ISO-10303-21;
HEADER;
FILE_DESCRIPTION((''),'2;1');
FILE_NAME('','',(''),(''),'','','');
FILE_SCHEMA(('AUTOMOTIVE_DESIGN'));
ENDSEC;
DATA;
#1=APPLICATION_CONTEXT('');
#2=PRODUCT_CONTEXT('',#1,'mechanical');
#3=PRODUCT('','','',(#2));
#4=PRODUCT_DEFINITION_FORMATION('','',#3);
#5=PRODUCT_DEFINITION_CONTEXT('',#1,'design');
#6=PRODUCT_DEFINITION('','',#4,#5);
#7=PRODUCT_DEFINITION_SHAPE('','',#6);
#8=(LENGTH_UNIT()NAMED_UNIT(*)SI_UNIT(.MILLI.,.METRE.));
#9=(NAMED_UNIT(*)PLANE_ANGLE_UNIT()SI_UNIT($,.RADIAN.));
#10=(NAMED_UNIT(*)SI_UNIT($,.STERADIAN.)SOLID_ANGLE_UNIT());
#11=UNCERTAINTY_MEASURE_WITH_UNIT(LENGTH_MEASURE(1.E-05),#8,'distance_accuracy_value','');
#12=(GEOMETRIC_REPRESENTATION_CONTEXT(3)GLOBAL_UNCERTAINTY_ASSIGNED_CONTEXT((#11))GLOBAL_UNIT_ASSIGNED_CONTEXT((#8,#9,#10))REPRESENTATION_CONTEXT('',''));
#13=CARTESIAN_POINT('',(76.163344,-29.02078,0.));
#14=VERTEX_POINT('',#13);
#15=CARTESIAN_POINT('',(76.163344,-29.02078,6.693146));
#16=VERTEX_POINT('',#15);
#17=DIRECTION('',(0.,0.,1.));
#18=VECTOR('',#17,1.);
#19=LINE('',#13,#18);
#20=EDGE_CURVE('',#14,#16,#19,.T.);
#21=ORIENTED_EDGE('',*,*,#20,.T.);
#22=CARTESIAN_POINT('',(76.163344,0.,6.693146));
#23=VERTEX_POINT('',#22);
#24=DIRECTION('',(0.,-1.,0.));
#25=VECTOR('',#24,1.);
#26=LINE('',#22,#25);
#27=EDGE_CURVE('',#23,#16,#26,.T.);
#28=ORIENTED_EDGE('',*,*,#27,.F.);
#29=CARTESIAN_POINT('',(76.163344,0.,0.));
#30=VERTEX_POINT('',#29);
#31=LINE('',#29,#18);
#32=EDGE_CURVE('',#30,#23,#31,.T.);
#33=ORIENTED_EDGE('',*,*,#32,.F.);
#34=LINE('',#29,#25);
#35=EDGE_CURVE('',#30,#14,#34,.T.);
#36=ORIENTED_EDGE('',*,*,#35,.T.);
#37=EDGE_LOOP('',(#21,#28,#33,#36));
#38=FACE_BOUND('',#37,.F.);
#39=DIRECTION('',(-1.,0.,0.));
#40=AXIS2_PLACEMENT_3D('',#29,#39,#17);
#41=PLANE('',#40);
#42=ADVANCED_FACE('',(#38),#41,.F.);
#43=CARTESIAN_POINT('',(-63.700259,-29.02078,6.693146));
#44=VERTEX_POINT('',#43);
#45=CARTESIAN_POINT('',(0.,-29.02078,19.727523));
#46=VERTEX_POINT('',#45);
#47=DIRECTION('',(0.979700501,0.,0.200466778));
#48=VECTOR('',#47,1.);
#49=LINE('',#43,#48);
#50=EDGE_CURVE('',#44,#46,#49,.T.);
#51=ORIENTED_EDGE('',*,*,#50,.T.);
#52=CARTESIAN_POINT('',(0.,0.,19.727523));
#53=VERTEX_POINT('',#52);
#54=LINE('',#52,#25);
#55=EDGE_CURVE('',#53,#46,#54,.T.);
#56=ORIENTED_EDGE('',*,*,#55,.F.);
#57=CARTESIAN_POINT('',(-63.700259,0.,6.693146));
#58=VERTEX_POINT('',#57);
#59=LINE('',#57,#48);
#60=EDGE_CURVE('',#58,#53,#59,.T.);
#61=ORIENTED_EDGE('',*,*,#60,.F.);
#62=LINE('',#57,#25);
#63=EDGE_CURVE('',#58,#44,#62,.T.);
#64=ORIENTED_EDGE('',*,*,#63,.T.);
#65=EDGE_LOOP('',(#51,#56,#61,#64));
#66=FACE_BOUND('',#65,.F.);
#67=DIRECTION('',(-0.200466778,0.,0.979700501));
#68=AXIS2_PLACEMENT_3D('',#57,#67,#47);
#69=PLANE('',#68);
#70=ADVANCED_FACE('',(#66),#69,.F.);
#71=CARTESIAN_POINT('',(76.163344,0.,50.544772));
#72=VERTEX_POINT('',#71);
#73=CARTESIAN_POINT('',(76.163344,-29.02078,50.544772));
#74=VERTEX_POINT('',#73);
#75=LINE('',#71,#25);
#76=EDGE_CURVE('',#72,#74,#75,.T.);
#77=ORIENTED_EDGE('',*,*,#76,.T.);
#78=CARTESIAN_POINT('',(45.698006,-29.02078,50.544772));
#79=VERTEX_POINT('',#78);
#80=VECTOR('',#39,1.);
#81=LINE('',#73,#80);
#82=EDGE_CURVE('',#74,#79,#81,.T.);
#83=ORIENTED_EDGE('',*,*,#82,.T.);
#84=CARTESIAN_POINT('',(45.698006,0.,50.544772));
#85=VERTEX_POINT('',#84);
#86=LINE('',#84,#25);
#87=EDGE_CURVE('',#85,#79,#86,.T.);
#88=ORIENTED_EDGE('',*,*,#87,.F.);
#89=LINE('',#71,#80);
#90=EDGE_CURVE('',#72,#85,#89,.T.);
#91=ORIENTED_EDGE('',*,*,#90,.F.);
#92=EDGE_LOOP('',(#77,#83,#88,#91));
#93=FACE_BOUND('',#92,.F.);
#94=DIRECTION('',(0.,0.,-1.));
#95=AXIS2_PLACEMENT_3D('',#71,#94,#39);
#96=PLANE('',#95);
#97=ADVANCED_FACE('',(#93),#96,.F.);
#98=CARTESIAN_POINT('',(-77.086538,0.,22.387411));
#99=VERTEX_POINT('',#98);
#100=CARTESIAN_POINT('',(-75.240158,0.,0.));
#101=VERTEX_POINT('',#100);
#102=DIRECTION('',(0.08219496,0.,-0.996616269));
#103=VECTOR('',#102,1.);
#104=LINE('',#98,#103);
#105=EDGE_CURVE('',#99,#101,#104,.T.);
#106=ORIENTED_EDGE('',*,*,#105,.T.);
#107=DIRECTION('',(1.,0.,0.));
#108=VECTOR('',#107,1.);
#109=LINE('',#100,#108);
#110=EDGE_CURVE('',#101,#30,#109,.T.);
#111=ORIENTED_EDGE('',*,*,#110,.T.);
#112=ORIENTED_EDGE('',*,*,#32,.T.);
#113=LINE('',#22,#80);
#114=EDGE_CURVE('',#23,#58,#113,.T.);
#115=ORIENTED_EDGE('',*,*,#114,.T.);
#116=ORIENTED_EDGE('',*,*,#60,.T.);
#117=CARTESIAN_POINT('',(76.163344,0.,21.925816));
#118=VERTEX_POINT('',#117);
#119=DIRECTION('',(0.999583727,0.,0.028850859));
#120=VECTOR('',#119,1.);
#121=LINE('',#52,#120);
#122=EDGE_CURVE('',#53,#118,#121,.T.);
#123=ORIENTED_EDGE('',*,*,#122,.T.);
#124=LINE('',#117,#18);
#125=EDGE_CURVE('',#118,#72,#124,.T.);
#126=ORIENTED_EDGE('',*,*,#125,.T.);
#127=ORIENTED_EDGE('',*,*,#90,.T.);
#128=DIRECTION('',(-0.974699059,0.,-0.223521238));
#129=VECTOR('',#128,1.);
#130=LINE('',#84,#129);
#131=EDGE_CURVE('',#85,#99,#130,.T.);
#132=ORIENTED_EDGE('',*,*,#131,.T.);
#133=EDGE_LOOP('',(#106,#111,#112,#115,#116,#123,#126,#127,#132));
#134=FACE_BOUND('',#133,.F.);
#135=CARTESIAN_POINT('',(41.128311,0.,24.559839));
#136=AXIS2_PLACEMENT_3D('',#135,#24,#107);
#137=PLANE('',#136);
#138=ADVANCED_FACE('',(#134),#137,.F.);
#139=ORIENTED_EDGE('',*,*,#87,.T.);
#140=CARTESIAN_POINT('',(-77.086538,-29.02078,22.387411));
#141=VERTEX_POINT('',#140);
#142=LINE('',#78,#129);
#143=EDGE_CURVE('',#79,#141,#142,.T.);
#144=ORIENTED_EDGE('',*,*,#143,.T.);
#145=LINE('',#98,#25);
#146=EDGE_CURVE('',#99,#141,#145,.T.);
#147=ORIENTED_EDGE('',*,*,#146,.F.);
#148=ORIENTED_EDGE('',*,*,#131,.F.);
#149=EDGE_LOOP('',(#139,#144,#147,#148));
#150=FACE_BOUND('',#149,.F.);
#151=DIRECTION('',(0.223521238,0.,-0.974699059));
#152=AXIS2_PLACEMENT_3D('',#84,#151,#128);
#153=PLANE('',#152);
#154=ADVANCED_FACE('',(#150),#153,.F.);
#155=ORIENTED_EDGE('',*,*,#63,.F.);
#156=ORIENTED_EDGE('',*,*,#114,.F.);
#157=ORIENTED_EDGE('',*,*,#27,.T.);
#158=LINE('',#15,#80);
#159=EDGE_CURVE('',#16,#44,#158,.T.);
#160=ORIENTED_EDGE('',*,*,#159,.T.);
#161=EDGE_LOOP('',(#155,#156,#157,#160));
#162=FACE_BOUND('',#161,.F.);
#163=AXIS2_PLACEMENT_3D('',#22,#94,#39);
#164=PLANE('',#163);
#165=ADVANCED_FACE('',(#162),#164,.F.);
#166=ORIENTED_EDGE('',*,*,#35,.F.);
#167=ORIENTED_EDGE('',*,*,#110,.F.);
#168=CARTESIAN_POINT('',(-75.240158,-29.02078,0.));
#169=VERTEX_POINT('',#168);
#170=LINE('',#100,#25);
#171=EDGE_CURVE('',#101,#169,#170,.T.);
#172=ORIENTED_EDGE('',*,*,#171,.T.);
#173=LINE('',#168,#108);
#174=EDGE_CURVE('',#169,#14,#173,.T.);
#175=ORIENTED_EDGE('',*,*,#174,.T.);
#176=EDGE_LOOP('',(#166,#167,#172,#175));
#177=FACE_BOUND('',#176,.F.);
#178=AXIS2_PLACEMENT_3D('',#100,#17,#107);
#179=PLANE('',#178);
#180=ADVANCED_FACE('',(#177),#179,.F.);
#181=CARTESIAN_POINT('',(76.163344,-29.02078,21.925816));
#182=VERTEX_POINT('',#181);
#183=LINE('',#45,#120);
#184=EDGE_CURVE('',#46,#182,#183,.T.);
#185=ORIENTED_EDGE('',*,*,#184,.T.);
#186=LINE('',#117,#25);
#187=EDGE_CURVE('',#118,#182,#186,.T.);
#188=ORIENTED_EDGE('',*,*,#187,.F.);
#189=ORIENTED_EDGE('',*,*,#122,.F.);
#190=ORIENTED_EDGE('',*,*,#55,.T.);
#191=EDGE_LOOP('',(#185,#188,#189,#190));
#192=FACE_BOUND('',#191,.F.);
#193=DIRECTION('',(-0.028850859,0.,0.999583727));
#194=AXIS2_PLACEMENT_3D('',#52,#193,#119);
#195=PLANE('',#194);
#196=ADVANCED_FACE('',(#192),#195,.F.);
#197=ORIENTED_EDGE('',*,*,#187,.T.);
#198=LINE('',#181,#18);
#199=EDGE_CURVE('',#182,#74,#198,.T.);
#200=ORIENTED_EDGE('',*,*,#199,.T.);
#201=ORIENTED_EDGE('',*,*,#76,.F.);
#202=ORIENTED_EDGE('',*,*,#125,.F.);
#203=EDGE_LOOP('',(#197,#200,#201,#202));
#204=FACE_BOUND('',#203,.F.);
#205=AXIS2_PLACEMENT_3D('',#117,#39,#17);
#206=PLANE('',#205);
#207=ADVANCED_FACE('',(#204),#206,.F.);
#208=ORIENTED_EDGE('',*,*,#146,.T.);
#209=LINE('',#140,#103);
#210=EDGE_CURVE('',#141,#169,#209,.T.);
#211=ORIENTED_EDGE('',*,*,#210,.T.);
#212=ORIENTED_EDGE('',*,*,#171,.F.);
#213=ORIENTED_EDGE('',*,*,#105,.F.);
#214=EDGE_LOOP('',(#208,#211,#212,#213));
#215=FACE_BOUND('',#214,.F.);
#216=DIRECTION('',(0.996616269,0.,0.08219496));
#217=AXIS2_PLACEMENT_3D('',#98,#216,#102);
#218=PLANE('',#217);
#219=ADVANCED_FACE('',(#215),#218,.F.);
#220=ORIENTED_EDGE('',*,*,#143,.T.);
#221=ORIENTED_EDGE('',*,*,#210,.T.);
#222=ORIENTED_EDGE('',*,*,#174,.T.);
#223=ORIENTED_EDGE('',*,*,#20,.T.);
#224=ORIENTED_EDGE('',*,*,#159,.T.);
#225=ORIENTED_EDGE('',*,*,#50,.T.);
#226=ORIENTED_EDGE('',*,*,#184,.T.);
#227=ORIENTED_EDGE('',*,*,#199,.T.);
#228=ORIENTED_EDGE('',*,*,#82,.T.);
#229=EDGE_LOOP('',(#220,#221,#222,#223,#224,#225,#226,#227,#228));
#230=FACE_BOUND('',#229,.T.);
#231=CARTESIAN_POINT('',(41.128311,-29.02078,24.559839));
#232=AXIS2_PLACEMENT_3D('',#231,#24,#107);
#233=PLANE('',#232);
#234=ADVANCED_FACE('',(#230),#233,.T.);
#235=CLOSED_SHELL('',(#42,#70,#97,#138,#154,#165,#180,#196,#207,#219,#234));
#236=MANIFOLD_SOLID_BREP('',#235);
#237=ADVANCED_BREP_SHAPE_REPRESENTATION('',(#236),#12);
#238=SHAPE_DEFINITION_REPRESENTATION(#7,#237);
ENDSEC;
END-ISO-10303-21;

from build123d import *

# Parameters (mm, degrees)
F1_DEPTH = 29.02078


with BuildPart() as f1:
    # F0 (on Front) → F1 (new body)
    with BuildSketch(Plane.XZ):
        Polygon((76.163344, 35.312101), (0, 19.727523), (76.163344, 21.925816), align=None)
        Polygon((-77.086538, 22.387411), (-75.240158, 0), (76.163344, 0), (76.163344, 6.693146), (-63.700259, 6.693146), (0, 19.727523), (76.163344, 35.312101), (76.163344, 50.544772), (45.698006, 50.544772), align=None)
    extrude(amount=F1_DEPTH)


solid = f1.part
